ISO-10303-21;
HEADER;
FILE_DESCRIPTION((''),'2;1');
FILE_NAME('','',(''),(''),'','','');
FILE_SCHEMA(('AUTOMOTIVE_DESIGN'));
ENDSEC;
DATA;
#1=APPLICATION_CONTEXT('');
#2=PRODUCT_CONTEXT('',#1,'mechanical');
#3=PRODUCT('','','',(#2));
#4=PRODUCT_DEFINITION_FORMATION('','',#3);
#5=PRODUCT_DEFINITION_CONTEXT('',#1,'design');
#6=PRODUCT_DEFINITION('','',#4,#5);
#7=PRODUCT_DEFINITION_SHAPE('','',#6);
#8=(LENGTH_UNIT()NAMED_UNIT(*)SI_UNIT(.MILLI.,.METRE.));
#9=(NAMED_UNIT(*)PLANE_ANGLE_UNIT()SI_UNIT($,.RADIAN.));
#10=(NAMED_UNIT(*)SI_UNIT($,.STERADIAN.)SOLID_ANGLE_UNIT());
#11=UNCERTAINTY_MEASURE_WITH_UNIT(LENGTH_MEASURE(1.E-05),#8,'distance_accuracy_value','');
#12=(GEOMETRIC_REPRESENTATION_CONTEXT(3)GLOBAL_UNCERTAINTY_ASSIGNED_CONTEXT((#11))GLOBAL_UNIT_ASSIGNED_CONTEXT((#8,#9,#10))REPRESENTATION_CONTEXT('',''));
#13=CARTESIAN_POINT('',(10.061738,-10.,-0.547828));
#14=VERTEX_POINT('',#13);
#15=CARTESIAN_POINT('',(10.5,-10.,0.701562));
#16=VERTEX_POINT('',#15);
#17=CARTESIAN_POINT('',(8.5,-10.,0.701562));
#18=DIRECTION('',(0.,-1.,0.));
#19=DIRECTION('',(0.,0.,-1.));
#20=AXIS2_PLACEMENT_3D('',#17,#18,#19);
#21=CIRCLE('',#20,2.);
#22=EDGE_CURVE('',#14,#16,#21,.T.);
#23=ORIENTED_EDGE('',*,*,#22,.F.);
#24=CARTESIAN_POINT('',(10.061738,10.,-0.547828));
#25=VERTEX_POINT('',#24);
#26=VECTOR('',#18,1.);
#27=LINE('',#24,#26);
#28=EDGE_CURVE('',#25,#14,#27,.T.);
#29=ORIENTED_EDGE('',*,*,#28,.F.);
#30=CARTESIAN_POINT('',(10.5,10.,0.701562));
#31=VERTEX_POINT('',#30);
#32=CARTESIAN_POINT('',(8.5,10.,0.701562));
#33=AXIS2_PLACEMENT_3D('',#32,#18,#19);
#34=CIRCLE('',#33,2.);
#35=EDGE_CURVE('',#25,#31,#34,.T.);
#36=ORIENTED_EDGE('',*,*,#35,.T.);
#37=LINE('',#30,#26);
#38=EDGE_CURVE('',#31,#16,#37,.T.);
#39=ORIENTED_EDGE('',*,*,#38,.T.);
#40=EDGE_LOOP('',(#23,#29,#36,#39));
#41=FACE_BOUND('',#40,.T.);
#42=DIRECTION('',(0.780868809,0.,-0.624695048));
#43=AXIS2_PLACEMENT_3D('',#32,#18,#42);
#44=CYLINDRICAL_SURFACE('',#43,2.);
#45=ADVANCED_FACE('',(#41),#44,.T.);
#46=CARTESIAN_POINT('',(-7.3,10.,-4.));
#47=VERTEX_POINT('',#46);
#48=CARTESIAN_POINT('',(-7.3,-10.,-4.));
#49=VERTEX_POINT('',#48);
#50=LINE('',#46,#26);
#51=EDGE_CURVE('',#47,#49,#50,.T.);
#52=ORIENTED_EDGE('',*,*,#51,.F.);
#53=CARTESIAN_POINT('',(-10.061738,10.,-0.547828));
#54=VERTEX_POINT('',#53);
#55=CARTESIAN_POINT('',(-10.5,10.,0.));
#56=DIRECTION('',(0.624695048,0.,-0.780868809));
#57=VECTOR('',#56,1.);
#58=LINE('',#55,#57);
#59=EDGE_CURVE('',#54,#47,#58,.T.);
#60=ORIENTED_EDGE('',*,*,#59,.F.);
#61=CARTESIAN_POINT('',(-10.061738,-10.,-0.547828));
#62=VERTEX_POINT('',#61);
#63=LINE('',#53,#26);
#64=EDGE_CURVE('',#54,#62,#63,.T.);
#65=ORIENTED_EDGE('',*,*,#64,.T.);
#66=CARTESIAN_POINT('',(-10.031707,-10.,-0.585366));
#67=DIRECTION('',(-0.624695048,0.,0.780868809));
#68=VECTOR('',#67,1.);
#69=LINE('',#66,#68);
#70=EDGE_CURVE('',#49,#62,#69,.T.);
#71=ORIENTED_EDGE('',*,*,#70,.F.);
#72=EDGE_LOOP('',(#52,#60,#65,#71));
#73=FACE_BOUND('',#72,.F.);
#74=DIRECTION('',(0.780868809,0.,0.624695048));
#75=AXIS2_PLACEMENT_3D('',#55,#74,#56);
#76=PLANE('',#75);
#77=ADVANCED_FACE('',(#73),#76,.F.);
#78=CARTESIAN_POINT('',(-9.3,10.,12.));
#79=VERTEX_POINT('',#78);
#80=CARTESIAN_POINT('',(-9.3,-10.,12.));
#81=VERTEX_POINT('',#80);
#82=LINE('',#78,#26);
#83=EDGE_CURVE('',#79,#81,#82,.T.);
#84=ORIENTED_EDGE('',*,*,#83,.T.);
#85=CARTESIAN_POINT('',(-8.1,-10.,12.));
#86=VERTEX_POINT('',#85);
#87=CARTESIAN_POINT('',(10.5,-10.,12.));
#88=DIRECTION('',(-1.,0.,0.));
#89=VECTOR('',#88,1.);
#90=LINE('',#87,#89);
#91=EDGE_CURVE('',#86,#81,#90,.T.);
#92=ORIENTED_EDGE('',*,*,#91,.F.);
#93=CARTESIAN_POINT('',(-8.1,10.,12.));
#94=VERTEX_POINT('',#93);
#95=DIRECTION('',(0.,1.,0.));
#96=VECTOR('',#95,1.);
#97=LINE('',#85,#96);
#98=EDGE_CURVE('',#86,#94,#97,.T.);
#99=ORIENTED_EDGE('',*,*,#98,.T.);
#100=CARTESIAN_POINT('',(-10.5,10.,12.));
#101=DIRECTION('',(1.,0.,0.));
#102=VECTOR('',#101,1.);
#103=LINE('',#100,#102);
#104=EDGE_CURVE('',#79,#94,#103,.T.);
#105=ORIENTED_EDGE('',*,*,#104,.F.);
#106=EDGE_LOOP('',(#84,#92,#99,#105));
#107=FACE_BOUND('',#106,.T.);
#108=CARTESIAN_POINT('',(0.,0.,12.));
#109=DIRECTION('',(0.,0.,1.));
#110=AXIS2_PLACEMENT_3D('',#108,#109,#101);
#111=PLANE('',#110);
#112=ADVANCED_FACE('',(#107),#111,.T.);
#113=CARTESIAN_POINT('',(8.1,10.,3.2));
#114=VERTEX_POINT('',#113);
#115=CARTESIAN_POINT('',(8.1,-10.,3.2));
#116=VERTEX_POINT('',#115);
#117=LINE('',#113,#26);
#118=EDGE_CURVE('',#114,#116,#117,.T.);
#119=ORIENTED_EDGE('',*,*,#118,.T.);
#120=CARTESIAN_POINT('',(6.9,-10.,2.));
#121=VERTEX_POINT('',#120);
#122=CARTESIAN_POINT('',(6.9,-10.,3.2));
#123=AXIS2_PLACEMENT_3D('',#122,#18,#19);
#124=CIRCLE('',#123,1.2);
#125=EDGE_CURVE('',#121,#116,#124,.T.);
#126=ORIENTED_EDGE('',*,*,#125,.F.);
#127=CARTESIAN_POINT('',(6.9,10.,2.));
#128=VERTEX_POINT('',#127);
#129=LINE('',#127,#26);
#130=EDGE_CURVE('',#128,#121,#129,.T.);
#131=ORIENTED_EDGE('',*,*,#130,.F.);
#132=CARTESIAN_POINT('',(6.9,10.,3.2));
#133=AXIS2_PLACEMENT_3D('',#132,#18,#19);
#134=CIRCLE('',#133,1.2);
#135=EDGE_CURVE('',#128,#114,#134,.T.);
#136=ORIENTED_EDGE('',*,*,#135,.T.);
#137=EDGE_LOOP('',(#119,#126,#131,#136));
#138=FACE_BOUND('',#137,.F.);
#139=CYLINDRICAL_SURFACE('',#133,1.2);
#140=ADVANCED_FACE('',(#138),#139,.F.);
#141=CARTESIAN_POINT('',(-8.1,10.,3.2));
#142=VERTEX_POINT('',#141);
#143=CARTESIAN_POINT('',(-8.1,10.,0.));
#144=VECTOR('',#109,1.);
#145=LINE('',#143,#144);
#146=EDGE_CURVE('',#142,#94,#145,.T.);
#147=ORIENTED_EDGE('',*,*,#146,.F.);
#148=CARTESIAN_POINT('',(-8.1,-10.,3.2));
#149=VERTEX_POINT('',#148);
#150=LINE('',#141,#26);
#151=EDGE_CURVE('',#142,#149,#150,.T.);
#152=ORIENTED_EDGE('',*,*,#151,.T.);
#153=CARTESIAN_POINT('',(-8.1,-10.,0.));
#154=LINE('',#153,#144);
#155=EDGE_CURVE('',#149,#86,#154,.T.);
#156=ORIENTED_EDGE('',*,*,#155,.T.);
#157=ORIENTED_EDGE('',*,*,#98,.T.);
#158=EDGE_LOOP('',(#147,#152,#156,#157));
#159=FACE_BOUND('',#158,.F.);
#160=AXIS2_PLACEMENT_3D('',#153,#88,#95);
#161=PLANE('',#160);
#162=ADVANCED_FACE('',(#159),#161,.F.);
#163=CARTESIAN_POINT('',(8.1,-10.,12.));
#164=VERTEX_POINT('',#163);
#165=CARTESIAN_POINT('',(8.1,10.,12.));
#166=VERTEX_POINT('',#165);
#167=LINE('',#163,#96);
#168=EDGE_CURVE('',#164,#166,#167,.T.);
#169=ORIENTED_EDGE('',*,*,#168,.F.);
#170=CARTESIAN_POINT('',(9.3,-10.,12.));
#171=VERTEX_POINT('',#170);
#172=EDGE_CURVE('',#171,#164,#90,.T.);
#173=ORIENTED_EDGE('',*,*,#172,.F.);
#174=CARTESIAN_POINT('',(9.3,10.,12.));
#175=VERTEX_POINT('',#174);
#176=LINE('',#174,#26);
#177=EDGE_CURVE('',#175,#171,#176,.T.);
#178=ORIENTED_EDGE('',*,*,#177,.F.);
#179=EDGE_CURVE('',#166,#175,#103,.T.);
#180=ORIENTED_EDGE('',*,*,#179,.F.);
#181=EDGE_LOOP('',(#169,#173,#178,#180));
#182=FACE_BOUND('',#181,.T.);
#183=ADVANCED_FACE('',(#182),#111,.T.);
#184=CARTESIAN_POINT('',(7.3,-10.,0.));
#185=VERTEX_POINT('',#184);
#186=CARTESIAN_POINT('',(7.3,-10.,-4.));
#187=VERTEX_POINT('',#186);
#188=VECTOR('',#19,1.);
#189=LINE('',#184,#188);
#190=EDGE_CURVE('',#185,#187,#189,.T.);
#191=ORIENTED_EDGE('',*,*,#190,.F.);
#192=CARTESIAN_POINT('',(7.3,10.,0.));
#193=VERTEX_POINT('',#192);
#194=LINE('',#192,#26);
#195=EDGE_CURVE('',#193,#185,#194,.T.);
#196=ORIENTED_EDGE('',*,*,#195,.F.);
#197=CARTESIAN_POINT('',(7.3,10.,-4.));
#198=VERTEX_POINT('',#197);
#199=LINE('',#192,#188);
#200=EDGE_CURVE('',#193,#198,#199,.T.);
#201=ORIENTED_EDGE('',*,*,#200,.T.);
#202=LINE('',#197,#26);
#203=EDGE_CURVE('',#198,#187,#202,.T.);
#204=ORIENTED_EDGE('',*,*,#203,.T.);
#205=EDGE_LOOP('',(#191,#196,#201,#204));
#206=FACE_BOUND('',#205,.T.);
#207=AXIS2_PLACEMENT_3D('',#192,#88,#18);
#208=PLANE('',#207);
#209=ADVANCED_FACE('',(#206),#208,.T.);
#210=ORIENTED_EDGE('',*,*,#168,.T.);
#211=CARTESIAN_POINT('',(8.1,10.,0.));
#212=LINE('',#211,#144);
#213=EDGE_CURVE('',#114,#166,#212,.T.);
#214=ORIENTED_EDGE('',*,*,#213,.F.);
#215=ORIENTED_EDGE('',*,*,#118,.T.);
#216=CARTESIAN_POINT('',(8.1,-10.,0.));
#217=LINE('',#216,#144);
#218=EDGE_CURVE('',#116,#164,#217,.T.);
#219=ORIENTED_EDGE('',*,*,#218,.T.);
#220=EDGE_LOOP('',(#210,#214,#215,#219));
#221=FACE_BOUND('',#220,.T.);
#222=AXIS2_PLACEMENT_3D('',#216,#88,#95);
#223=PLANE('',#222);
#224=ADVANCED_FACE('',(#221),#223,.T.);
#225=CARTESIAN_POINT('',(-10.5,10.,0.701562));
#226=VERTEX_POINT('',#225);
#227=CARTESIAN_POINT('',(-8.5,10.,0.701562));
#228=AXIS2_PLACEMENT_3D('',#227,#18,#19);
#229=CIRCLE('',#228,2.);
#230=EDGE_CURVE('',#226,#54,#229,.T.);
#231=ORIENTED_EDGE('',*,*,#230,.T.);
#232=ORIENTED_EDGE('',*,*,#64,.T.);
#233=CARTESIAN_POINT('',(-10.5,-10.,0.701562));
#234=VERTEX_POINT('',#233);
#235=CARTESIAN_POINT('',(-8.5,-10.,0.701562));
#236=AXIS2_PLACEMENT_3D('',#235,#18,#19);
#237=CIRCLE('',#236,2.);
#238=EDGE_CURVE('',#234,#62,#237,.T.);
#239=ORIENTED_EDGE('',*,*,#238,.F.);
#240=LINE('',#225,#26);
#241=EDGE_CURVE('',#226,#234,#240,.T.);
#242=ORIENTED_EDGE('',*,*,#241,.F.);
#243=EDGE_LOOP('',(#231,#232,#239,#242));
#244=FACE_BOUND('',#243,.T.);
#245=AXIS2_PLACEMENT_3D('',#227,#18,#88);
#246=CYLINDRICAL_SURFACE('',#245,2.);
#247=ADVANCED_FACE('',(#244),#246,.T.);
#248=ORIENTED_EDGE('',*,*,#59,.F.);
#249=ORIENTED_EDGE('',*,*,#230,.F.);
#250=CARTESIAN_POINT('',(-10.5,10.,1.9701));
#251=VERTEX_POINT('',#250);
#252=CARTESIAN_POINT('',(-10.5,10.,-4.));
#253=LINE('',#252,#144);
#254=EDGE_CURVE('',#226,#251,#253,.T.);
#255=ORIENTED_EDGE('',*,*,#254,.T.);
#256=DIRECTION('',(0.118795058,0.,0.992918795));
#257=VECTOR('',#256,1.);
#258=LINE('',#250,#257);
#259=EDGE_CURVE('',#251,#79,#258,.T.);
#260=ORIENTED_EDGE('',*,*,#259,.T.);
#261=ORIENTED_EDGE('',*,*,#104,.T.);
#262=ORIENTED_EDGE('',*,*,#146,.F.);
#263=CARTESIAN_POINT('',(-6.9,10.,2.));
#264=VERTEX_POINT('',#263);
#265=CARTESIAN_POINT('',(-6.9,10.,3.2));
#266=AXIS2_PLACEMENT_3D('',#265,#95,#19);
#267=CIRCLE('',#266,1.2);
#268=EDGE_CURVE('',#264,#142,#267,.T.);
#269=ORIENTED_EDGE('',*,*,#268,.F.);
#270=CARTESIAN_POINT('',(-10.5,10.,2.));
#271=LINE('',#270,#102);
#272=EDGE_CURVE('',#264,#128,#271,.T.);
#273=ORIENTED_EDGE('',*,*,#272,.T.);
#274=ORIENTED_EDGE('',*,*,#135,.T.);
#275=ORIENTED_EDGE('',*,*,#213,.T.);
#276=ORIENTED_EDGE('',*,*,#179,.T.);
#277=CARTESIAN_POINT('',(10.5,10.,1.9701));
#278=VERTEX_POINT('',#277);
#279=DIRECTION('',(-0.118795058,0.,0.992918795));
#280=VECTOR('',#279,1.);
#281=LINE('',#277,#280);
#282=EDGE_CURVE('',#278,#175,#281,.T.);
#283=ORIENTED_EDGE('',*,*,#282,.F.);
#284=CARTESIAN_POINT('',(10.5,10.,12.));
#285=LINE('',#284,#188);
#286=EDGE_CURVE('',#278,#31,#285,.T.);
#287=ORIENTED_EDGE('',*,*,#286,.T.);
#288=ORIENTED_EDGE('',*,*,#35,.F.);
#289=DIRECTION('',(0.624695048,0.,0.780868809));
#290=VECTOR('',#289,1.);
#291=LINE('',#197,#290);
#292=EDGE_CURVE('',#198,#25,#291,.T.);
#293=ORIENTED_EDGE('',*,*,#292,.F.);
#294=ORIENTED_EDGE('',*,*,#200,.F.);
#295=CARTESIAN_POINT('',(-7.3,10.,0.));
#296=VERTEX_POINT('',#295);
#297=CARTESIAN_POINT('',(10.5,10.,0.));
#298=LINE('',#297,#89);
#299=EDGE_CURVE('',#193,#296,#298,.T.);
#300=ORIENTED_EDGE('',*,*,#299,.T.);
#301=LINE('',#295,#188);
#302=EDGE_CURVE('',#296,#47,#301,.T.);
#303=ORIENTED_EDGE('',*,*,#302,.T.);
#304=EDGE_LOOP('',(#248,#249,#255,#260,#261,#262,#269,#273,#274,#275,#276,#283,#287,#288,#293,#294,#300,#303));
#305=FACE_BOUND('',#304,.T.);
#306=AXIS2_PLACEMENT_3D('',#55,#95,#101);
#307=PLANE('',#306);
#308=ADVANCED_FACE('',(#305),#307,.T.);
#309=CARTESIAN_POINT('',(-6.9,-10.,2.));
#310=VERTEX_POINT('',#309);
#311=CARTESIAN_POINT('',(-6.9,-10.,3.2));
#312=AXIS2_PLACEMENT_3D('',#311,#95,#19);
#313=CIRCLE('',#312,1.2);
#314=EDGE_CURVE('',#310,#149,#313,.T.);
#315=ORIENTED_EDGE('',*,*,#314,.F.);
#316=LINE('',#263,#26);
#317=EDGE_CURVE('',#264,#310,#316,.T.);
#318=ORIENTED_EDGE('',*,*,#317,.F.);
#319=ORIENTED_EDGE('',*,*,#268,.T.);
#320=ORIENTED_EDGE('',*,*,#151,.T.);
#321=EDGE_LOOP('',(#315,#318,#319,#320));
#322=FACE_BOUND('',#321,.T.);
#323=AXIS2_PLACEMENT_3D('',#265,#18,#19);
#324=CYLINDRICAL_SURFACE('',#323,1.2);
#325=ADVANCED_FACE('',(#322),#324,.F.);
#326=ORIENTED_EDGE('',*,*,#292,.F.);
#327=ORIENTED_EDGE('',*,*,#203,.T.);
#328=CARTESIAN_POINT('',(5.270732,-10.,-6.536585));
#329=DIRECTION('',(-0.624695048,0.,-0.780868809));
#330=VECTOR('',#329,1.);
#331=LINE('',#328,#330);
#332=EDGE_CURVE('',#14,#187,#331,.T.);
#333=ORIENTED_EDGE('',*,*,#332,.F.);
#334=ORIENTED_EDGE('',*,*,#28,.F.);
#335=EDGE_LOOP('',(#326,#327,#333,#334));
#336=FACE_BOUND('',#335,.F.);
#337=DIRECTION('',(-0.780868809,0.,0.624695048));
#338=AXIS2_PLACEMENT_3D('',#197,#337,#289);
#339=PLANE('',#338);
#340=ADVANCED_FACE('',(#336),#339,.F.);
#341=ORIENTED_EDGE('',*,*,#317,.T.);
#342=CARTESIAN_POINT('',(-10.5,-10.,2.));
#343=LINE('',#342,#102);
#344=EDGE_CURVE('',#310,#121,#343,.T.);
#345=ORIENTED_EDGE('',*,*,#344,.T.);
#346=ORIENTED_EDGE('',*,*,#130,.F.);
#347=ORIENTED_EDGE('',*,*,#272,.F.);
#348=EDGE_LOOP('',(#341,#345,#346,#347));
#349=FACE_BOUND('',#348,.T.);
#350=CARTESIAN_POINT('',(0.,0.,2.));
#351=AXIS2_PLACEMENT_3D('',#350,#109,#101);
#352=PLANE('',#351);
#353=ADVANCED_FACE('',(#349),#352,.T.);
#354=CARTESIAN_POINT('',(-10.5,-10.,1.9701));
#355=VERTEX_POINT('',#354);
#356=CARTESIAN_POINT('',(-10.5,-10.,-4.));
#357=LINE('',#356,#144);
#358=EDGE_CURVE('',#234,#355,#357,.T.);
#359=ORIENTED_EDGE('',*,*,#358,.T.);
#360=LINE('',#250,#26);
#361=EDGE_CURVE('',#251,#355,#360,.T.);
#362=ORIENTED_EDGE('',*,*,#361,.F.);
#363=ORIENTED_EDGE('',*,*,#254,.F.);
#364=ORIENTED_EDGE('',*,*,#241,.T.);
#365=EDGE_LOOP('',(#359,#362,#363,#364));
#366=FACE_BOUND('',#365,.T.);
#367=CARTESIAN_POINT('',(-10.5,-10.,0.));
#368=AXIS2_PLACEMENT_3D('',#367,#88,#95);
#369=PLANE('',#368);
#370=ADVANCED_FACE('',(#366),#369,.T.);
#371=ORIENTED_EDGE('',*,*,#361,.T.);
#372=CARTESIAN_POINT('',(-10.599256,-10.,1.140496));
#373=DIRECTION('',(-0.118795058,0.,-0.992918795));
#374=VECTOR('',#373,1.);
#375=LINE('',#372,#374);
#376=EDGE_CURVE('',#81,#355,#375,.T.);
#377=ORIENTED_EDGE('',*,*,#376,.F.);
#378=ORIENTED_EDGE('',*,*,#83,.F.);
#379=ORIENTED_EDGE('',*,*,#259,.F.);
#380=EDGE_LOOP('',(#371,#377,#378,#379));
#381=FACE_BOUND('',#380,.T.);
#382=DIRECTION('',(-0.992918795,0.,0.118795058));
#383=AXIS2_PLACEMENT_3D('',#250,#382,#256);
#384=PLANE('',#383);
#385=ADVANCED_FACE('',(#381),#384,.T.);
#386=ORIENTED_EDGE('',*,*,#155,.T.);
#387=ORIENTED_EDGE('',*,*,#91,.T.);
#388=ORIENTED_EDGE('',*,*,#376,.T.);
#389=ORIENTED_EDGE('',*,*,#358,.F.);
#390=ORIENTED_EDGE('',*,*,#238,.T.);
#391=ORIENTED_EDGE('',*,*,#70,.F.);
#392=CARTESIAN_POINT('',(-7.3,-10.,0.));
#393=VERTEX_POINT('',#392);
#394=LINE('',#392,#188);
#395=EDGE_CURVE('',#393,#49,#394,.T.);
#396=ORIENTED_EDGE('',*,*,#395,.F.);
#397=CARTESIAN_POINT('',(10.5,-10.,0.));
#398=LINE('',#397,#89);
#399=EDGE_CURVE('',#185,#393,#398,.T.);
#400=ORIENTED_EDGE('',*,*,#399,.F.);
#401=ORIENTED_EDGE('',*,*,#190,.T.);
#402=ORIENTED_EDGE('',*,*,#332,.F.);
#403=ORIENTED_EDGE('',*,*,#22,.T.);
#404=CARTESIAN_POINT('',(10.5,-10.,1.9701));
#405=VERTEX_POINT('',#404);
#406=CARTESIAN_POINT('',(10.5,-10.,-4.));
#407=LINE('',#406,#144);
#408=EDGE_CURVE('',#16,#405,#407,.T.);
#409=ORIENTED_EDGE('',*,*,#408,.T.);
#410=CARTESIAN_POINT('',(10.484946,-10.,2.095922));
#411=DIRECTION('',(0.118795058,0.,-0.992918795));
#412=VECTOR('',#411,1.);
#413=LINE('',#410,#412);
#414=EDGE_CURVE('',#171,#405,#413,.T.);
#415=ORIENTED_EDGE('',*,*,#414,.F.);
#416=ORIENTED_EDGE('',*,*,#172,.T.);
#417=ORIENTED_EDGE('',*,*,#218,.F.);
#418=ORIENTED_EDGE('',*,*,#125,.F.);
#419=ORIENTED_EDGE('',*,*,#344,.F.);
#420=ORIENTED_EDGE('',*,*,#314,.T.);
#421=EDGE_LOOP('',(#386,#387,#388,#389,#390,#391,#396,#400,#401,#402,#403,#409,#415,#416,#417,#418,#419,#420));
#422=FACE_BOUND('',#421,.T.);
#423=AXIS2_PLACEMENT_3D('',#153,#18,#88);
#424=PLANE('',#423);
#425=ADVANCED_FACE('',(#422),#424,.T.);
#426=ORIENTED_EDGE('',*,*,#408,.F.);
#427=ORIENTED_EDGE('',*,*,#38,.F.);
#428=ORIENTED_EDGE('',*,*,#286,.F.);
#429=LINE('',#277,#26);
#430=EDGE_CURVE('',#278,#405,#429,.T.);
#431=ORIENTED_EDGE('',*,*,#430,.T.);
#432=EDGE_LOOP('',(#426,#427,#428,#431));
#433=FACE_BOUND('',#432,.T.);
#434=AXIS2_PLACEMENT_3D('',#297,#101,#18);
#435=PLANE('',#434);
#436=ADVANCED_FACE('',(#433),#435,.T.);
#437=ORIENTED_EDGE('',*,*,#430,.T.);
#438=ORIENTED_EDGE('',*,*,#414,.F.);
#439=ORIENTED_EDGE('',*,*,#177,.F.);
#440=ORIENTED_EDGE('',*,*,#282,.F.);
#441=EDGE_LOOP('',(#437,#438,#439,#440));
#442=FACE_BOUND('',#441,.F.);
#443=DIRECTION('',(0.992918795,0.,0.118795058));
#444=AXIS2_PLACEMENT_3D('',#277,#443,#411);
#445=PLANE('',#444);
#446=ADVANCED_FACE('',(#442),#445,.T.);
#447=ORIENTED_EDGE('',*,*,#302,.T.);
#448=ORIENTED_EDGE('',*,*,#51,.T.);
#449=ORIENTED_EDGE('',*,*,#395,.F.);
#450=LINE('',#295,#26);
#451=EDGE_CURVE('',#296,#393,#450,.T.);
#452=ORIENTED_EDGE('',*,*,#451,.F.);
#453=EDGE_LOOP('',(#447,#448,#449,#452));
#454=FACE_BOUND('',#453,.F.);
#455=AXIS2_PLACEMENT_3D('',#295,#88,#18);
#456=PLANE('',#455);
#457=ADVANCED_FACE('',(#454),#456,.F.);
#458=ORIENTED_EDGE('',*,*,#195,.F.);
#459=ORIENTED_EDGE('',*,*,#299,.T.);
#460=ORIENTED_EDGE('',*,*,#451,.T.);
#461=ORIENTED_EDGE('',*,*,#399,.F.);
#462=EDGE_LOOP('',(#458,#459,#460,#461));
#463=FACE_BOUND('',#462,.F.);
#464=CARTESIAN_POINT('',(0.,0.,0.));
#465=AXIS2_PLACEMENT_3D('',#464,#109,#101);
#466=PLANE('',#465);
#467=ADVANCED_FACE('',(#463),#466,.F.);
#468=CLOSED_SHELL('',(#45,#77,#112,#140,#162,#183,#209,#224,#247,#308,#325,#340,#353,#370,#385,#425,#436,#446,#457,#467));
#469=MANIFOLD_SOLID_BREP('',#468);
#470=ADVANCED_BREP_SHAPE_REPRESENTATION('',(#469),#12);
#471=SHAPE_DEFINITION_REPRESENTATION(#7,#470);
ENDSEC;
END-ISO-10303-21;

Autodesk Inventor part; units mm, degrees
ref_plane "YZ Plane" through (0, 0, 0) normal (1, 0, 0) x (0, 1, 0)
ref_plane "XZ Plane" through (0, 0, 0) normal (0, 1, 0) x (-1, 0, 0)
ref_plane "XY Plane" through (0, 0, 0) normal (0, 0, 1) x (1, 0, 0)
sketch "Schizzo1" plane through (0, 0, 0) normal (0, 0, 1) x (1, 0, 0)
  line L0 (-10.5, 10) -> (10.5, 10)
  line L1 (10.5, 10) -> (10.5, -10)
  line L2 (10.5, -10) -> (-10.5, -10)
  line L3 (-10.5, -10) -> (-10.5, 10)
  line L4 (-10.5, 10) -> (10.5, -10) construction
  line L5 (10.5, 10) -> (-10.5, -10) construction
  line L6 (-7.3, 10) -> (-7.3, -10)
  line L7 (7.3, 10) -> (7.3, -10)
  line L8 (8.1, -10) -> (8.1, 10)
  line L9 (-8.1, -10) -> (-8.1, 10)
  point P0 (0, 0)
  point P1 (0, 0)
  dimension "d0" = 21
  dimension "d1" = 20
  dimension "d2" = 3.2
  dimension "d3" = 3.2
  dimension "d17" = 2.4
  dimension "d19" = 2.4
extrude "Estrusione4" add sketch "Schizzo1" along normal blind 2
extrude "Estrusione5" add sketch "Schizzo1" against normal blind 4 contours L0 L9 L2 L3 | L0 L6 L2 L9 | L0 L8 L2 L7 | L0 L1 L2 L8
extrude "Estrusione6" add sketch "Schizzo1" along normal blind 12 contours L0 L9 L2 L3 | L0 L1 L2 L8
fillet "Raccordo1" radius 1.2 2 edges at (8.1, 0, 2) (-8.1, 0, 2)
sketch "Schizzo3" plane through (-7.3, 10, 0) normal (0, 1, 0) x (1, 0, 0)
  line L0 (-3.2, 4) -> (-3.2, -12) projected
  line L1 (0, 4) -> (-3.2, 4) projected
  line L2 (-3.2, 0) -> (0, 4)
  line L3 (0, 4) -> (0, 0)
  line L4 (0, 0) -> (-3.2, 0)
  line L5 (14.6, 4) -> (17.8, 4) projected
  line L6 (14.6, 4) -> (17.8, 0)
  line L7 (17.8, 4) -> (17.8, -12) projected
  line L8 (14.6, 0) -> (14.6, 4)
  line L9 (14.6, 0) -> (17.8, 0)
  line L10 (-3.2, 0) -> (-3.2, 4)
  line L11 (0, 4) -> (-3.2, 4)
  line L12 (14.6, 4) -> (17.8, 4)
  line L13 (17.8, 0) -> (17.8, 4)
  point P0 (7.3, 0)
extrude "Estrusione7" cut sketch "Schizzo3" against normal blind 100 contours L1 L2 L0 | L5 L7 L6
fillet "Raccordo2" radius 2 2 edges at (-10.5, 0, 0) (10.5, 0, 0)
sketch "Schizzo4" plane through (-7.3, 10, 0) normal (0, 1, 0) x (1, 0, 0)
  line L0 (-3.2, -0.7016) -> (-3.2, -12) projected
  line L1 (-3.2, -1.9701) -> (-2, -12)
  line L2 (-0.8, -12) -> (-3.2, -12) projected
  line L3 (-2, -12) -> (-3.2, -12)
  line L4 (-3.2, -1.9701) -> (-3.2, -12)
  point P0 (7.3, 0)
extrude "Estrusione8" cut sketch "Schizzo4" against normal blind 100
mirror "Specchio1" about plane through (0, 0, 0) normal (1, 0, 0) of "Estrusione8"
properties part number "Sensore prossimale"
